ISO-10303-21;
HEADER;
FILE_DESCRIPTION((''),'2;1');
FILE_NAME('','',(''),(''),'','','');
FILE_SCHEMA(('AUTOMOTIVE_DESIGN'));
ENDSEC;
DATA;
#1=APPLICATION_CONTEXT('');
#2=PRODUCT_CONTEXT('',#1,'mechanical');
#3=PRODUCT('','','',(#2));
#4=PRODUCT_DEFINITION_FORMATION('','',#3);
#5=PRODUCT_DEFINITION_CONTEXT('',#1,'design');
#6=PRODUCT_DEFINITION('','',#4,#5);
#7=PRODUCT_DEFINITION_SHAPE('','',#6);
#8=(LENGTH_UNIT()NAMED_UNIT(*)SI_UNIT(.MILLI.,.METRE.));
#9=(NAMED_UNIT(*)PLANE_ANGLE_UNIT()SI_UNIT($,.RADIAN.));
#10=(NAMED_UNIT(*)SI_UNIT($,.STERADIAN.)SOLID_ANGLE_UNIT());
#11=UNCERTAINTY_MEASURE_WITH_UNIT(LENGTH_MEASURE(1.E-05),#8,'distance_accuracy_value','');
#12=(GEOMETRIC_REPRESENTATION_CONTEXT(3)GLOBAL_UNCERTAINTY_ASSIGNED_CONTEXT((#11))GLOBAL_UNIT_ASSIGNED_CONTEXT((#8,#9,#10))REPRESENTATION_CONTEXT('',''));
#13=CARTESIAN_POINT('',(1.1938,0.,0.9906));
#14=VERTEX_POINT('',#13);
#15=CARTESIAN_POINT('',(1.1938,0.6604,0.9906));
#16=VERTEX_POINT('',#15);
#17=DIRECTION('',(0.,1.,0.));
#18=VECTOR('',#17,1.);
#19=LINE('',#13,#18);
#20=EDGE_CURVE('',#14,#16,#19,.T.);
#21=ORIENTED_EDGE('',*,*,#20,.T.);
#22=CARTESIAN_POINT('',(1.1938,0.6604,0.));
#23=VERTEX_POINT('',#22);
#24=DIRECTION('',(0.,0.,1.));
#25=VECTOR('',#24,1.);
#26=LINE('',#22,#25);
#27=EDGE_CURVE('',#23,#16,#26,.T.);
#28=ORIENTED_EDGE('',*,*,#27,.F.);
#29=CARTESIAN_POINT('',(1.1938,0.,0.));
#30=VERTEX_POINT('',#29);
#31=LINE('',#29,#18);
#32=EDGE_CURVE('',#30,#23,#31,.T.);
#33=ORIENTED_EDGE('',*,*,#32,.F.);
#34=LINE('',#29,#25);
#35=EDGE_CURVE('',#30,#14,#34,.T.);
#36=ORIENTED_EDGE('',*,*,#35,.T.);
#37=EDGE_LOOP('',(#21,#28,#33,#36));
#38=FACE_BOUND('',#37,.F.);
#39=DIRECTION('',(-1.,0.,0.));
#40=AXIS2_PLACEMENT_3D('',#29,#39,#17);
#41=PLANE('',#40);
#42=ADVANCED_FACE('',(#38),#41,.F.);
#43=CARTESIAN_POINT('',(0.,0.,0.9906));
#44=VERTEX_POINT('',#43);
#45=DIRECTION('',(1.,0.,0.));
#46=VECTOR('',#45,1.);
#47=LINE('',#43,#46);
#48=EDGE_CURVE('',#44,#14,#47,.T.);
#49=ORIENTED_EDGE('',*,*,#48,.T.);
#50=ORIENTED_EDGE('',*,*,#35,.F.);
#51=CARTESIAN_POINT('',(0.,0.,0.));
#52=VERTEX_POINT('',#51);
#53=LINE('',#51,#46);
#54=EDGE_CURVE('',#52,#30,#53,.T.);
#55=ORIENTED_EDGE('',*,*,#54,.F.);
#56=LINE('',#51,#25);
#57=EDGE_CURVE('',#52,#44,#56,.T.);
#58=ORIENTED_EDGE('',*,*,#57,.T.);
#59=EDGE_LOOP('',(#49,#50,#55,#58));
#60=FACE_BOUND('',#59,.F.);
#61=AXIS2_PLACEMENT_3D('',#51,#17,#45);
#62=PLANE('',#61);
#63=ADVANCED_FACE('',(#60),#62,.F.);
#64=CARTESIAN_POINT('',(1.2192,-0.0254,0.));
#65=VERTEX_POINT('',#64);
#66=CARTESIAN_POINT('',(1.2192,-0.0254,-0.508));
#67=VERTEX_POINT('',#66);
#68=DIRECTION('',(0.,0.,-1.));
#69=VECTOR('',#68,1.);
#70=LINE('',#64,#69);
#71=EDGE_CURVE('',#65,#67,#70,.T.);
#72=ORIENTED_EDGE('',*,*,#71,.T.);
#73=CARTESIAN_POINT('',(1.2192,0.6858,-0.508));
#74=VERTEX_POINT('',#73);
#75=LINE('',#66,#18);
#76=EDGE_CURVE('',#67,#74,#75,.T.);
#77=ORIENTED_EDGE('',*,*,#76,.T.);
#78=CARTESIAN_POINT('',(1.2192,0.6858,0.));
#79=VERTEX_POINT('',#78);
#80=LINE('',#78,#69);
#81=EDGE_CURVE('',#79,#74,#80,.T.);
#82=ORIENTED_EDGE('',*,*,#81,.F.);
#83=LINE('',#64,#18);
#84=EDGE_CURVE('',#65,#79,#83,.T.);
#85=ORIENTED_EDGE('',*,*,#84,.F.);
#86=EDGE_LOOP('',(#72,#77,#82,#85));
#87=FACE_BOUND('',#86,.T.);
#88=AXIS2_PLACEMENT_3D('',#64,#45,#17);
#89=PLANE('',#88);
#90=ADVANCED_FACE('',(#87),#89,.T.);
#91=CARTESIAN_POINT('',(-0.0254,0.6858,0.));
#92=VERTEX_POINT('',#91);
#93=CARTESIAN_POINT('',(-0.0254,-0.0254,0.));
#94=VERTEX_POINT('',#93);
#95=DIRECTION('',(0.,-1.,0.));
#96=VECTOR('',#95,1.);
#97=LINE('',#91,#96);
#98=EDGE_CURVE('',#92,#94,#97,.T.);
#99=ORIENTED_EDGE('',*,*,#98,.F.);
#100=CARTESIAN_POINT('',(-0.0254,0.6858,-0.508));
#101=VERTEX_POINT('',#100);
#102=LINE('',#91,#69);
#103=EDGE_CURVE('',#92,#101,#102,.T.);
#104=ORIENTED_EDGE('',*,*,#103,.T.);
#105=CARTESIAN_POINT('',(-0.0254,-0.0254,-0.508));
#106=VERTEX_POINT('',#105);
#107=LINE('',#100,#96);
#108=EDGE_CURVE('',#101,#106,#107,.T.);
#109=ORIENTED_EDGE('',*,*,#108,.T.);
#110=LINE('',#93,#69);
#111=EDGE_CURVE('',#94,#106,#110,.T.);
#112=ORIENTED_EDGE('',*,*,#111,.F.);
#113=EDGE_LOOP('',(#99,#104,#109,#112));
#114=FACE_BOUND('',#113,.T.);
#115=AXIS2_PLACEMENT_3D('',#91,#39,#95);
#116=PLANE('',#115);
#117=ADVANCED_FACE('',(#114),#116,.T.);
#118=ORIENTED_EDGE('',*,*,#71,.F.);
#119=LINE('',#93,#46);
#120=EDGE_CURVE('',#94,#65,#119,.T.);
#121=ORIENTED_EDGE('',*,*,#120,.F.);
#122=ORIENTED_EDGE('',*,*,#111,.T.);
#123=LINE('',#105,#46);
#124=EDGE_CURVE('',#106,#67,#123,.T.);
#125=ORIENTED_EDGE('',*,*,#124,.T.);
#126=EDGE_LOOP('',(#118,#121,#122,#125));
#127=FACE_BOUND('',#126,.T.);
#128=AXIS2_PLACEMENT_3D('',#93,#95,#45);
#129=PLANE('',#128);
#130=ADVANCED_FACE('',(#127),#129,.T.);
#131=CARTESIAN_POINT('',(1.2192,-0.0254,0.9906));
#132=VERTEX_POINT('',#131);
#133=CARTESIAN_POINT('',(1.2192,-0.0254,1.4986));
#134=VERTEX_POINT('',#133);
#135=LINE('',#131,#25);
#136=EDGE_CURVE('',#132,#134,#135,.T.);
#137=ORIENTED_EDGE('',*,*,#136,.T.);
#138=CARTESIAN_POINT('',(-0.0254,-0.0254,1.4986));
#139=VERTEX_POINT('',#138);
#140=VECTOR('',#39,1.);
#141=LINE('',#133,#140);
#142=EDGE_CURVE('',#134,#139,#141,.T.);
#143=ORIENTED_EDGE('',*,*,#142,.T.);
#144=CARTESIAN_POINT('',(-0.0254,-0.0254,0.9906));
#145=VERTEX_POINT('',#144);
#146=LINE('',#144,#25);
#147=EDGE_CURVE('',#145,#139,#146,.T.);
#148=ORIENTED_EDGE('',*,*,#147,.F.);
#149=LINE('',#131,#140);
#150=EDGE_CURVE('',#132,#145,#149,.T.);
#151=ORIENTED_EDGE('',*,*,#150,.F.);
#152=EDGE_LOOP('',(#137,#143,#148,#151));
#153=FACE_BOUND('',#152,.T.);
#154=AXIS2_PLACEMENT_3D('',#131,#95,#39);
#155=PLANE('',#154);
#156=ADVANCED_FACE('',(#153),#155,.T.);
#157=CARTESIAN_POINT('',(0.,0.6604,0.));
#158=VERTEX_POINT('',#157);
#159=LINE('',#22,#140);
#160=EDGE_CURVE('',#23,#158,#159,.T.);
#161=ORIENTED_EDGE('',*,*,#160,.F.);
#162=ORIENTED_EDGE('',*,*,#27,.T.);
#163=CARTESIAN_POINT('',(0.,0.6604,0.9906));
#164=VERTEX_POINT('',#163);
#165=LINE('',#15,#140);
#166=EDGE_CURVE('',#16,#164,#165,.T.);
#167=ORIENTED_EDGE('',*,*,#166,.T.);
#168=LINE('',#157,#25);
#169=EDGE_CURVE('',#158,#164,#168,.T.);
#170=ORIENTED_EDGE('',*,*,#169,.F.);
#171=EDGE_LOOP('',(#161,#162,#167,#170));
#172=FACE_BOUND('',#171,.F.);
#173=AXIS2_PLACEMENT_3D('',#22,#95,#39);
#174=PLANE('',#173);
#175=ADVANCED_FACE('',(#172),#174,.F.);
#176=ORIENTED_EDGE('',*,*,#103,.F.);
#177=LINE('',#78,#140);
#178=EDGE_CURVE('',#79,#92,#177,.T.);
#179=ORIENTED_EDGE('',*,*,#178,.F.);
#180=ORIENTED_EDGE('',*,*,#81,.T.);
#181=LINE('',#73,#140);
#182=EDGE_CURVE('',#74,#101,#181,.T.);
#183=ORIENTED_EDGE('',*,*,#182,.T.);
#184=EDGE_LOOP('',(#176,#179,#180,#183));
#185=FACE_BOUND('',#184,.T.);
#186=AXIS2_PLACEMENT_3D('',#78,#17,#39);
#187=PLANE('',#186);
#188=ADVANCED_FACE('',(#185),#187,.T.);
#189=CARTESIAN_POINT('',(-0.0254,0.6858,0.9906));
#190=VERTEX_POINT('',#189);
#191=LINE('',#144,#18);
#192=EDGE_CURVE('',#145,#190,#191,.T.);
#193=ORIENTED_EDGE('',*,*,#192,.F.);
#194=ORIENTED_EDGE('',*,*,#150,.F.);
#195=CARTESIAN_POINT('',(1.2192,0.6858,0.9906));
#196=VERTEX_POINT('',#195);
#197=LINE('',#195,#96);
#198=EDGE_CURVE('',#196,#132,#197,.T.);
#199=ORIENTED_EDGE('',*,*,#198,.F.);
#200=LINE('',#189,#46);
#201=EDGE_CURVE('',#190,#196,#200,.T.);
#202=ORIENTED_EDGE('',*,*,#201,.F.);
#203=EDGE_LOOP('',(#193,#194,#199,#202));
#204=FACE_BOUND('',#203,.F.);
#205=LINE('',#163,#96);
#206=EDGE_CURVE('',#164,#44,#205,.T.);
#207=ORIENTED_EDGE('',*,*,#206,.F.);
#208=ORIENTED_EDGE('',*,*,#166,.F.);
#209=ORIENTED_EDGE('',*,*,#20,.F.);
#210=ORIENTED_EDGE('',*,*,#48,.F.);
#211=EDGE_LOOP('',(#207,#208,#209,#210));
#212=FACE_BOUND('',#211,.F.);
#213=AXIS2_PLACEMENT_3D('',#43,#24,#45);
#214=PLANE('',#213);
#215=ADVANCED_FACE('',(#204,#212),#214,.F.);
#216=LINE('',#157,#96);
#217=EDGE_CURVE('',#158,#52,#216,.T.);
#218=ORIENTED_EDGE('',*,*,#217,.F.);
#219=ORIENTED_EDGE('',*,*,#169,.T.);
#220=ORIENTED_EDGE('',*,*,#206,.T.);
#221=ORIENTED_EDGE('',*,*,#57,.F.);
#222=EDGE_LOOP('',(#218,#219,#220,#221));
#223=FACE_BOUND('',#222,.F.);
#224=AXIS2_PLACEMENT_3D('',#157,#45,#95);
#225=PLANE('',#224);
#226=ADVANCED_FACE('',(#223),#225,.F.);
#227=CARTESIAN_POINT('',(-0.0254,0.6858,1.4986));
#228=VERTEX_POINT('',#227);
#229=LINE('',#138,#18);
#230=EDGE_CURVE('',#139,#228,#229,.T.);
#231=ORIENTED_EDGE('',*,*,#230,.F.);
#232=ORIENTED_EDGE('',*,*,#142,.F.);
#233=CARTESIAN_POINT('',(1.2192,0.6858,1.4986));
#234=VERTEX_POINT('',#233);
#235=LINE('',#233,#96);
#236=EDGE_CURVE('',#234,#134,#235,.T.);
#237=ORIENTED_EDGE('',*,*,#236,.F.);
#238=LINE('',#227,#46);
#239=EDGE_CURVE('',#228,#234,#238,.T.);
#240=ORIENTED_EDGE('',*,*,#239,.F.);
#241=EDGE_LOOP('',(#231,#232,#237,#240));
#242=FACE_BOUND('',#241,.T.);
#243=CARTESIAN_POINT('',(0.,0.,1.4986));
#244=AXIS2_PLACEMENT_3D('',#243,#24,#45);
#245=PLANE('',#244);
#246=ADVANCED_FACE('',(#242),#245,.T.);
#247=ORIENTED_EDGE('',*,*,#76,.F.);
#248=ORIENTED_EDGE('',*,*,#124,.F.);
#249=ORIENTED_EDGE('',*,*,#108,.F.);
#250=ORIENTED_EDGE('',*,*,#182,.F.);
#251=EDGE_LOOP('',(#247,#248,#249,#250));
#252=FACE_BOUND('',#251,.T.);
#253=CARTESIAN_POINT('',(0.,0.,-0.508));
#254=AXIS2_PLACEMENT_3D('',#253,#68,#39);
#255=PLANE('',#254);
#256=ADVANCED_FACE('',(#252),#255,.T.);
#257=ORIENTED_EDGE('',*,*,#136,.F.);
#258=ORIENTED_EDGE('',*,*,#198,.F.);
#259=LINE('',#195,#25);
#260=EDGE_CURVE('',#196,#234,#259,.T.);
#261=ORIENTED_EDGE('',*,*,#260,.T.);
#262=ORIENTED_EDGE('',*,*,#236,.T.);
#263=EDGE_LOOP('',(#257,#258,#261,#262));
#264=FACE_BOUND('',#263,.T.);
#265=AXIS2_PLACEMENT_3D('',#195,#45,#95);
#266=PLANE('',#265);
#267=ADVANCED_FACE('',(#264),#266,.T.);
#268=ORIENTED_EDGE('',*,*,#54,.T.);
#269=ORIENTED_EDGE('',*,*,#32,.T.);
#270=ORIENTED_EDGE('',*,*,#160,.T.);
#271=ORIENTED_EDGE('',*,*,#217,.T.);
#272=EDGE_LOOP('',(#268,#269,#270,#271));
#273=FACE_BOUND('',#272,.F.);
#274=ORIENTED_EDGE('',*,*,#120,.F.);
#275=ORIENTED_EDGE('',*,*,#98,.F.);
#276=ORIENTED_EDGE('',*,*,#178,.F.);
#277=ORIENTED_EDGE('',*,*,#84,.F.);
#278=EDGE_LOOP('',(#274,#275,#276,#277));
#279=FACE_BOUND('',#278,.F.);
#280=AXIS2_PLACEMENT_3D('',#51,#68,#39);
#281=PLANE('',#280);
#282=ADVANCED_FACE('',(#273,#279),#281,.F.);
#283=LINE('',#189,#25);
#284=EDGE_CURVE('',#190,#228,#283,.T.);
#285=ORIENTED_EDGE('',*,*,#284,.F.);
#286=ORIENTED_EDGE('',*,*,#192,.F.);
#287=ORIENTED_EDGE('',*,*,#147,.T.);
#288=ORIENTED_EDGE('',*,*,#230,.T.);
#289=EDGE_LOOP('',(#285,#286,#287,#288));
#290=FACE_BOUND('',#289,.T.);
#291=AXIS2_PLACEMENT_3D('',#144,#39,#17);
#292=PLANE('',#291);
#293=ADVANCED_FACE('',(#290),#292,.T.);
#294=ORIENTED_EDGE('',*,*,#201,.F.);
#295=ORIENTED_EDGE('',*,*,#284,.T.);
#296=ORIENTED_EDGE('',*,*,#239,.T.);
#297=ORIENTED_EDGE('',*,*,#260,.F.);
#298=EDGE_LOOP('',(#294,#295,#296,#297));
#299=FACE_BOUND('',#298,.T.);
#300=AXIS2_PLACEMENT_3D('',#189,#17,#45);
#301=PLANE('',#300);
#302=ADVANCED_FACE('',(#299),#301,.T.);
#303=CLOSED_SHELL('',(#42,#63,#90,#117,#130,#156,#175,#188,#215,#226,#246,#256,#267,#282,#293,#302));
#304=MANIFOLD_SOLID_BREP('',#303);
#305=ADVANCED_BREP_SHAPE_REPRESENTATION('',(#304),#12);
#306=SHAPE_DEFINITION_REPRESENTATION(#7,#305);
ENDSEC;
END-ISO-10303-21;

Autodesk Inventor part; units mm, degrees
ref_plane "YZ Plane" through (0, 0, 0) normal (1, 0, 0) x (0, 1, 0)
ref_plane "XZ Plane" through (0, 0, 0) normal (0, 1, 0) x (-1, 0, 0)
ref_plane "XY Plane" through (0, 0, 0) normal (0, 0, 1) x (1, 0, 0)
sketch "Sketch1" plane through (0, 0, 0) normal (0, 0, 1) x (1, 0, 0)
  line L0 (0, 0) -> (1.1938, 0)
  line L1 (1.1938, 0) -> (1.1938, 0.6604)
  line L2 (1.1938, 0.6604) -> (0, 0.6604)
  line L3 (0, 0.6604) -> (0, 0)
  dimension "d0" = 0.6604
  dimension "d1" = 1.1938
extrude "Extrusion1" add sketch "Sketch1" along normal blind 0.9906
sketch "Sketch2" plane through (0, 0, 0.9906) normal (0, 0, 1) x (1, 0, 0)
  line L0 (-0.0254, 0.6858) -> (1.2192, 0.6858)
  line L1 (1.2192, 0.6858) -> (1.2192, -0.0254)
  line L2 (1.2192, -0.0254) -> (-0.0254, -0.0254)
  line L3 (-0.0254, -0.0254) -> (-0.0254, 0.6858)
  line L4 (1.1938, 0) -> (1.1938, 0.6604) projected
  line L5 (0, 0.6604) -> (0, 0) projected
  line L6 (1.1938, 0.6604) -> (0, 0.6604) projected
  line L7 (0, 0) -> (1.1938, 0) projected
  dimension "d4" = 0.0254
  dimension "d5" = 0.0254
  dimension "d6" = 0.0254
  dimension "d7" = 0.0254
extrude "Extrusion2" add sketch "Sketch2" along normal blind 0.508 contours L0 L1 L2 L3 | L7 L5 L6 L4
sketch "Sketch3" plane through (0, 0, 0) normal (0, 0, -1) x (-1, 0, 0)
  line L0 (0.0254, -0.0254) -> (-1.2192, -0.0254)
  line L1 (-1.2192, -0.0254) -> (-1.2192, 0.6858)
  line L2 (-1.2192, 0.6858) -> (0.0254, 0.6858)
  line L3 (0.0254, 0.6858) -> (0.0254, -0.0254)
  point P0 (0, 0)
extrude "Extrusion3" add sketch "Sketch3" along normal blind 0.508
properties part number "s1k Resistor"
